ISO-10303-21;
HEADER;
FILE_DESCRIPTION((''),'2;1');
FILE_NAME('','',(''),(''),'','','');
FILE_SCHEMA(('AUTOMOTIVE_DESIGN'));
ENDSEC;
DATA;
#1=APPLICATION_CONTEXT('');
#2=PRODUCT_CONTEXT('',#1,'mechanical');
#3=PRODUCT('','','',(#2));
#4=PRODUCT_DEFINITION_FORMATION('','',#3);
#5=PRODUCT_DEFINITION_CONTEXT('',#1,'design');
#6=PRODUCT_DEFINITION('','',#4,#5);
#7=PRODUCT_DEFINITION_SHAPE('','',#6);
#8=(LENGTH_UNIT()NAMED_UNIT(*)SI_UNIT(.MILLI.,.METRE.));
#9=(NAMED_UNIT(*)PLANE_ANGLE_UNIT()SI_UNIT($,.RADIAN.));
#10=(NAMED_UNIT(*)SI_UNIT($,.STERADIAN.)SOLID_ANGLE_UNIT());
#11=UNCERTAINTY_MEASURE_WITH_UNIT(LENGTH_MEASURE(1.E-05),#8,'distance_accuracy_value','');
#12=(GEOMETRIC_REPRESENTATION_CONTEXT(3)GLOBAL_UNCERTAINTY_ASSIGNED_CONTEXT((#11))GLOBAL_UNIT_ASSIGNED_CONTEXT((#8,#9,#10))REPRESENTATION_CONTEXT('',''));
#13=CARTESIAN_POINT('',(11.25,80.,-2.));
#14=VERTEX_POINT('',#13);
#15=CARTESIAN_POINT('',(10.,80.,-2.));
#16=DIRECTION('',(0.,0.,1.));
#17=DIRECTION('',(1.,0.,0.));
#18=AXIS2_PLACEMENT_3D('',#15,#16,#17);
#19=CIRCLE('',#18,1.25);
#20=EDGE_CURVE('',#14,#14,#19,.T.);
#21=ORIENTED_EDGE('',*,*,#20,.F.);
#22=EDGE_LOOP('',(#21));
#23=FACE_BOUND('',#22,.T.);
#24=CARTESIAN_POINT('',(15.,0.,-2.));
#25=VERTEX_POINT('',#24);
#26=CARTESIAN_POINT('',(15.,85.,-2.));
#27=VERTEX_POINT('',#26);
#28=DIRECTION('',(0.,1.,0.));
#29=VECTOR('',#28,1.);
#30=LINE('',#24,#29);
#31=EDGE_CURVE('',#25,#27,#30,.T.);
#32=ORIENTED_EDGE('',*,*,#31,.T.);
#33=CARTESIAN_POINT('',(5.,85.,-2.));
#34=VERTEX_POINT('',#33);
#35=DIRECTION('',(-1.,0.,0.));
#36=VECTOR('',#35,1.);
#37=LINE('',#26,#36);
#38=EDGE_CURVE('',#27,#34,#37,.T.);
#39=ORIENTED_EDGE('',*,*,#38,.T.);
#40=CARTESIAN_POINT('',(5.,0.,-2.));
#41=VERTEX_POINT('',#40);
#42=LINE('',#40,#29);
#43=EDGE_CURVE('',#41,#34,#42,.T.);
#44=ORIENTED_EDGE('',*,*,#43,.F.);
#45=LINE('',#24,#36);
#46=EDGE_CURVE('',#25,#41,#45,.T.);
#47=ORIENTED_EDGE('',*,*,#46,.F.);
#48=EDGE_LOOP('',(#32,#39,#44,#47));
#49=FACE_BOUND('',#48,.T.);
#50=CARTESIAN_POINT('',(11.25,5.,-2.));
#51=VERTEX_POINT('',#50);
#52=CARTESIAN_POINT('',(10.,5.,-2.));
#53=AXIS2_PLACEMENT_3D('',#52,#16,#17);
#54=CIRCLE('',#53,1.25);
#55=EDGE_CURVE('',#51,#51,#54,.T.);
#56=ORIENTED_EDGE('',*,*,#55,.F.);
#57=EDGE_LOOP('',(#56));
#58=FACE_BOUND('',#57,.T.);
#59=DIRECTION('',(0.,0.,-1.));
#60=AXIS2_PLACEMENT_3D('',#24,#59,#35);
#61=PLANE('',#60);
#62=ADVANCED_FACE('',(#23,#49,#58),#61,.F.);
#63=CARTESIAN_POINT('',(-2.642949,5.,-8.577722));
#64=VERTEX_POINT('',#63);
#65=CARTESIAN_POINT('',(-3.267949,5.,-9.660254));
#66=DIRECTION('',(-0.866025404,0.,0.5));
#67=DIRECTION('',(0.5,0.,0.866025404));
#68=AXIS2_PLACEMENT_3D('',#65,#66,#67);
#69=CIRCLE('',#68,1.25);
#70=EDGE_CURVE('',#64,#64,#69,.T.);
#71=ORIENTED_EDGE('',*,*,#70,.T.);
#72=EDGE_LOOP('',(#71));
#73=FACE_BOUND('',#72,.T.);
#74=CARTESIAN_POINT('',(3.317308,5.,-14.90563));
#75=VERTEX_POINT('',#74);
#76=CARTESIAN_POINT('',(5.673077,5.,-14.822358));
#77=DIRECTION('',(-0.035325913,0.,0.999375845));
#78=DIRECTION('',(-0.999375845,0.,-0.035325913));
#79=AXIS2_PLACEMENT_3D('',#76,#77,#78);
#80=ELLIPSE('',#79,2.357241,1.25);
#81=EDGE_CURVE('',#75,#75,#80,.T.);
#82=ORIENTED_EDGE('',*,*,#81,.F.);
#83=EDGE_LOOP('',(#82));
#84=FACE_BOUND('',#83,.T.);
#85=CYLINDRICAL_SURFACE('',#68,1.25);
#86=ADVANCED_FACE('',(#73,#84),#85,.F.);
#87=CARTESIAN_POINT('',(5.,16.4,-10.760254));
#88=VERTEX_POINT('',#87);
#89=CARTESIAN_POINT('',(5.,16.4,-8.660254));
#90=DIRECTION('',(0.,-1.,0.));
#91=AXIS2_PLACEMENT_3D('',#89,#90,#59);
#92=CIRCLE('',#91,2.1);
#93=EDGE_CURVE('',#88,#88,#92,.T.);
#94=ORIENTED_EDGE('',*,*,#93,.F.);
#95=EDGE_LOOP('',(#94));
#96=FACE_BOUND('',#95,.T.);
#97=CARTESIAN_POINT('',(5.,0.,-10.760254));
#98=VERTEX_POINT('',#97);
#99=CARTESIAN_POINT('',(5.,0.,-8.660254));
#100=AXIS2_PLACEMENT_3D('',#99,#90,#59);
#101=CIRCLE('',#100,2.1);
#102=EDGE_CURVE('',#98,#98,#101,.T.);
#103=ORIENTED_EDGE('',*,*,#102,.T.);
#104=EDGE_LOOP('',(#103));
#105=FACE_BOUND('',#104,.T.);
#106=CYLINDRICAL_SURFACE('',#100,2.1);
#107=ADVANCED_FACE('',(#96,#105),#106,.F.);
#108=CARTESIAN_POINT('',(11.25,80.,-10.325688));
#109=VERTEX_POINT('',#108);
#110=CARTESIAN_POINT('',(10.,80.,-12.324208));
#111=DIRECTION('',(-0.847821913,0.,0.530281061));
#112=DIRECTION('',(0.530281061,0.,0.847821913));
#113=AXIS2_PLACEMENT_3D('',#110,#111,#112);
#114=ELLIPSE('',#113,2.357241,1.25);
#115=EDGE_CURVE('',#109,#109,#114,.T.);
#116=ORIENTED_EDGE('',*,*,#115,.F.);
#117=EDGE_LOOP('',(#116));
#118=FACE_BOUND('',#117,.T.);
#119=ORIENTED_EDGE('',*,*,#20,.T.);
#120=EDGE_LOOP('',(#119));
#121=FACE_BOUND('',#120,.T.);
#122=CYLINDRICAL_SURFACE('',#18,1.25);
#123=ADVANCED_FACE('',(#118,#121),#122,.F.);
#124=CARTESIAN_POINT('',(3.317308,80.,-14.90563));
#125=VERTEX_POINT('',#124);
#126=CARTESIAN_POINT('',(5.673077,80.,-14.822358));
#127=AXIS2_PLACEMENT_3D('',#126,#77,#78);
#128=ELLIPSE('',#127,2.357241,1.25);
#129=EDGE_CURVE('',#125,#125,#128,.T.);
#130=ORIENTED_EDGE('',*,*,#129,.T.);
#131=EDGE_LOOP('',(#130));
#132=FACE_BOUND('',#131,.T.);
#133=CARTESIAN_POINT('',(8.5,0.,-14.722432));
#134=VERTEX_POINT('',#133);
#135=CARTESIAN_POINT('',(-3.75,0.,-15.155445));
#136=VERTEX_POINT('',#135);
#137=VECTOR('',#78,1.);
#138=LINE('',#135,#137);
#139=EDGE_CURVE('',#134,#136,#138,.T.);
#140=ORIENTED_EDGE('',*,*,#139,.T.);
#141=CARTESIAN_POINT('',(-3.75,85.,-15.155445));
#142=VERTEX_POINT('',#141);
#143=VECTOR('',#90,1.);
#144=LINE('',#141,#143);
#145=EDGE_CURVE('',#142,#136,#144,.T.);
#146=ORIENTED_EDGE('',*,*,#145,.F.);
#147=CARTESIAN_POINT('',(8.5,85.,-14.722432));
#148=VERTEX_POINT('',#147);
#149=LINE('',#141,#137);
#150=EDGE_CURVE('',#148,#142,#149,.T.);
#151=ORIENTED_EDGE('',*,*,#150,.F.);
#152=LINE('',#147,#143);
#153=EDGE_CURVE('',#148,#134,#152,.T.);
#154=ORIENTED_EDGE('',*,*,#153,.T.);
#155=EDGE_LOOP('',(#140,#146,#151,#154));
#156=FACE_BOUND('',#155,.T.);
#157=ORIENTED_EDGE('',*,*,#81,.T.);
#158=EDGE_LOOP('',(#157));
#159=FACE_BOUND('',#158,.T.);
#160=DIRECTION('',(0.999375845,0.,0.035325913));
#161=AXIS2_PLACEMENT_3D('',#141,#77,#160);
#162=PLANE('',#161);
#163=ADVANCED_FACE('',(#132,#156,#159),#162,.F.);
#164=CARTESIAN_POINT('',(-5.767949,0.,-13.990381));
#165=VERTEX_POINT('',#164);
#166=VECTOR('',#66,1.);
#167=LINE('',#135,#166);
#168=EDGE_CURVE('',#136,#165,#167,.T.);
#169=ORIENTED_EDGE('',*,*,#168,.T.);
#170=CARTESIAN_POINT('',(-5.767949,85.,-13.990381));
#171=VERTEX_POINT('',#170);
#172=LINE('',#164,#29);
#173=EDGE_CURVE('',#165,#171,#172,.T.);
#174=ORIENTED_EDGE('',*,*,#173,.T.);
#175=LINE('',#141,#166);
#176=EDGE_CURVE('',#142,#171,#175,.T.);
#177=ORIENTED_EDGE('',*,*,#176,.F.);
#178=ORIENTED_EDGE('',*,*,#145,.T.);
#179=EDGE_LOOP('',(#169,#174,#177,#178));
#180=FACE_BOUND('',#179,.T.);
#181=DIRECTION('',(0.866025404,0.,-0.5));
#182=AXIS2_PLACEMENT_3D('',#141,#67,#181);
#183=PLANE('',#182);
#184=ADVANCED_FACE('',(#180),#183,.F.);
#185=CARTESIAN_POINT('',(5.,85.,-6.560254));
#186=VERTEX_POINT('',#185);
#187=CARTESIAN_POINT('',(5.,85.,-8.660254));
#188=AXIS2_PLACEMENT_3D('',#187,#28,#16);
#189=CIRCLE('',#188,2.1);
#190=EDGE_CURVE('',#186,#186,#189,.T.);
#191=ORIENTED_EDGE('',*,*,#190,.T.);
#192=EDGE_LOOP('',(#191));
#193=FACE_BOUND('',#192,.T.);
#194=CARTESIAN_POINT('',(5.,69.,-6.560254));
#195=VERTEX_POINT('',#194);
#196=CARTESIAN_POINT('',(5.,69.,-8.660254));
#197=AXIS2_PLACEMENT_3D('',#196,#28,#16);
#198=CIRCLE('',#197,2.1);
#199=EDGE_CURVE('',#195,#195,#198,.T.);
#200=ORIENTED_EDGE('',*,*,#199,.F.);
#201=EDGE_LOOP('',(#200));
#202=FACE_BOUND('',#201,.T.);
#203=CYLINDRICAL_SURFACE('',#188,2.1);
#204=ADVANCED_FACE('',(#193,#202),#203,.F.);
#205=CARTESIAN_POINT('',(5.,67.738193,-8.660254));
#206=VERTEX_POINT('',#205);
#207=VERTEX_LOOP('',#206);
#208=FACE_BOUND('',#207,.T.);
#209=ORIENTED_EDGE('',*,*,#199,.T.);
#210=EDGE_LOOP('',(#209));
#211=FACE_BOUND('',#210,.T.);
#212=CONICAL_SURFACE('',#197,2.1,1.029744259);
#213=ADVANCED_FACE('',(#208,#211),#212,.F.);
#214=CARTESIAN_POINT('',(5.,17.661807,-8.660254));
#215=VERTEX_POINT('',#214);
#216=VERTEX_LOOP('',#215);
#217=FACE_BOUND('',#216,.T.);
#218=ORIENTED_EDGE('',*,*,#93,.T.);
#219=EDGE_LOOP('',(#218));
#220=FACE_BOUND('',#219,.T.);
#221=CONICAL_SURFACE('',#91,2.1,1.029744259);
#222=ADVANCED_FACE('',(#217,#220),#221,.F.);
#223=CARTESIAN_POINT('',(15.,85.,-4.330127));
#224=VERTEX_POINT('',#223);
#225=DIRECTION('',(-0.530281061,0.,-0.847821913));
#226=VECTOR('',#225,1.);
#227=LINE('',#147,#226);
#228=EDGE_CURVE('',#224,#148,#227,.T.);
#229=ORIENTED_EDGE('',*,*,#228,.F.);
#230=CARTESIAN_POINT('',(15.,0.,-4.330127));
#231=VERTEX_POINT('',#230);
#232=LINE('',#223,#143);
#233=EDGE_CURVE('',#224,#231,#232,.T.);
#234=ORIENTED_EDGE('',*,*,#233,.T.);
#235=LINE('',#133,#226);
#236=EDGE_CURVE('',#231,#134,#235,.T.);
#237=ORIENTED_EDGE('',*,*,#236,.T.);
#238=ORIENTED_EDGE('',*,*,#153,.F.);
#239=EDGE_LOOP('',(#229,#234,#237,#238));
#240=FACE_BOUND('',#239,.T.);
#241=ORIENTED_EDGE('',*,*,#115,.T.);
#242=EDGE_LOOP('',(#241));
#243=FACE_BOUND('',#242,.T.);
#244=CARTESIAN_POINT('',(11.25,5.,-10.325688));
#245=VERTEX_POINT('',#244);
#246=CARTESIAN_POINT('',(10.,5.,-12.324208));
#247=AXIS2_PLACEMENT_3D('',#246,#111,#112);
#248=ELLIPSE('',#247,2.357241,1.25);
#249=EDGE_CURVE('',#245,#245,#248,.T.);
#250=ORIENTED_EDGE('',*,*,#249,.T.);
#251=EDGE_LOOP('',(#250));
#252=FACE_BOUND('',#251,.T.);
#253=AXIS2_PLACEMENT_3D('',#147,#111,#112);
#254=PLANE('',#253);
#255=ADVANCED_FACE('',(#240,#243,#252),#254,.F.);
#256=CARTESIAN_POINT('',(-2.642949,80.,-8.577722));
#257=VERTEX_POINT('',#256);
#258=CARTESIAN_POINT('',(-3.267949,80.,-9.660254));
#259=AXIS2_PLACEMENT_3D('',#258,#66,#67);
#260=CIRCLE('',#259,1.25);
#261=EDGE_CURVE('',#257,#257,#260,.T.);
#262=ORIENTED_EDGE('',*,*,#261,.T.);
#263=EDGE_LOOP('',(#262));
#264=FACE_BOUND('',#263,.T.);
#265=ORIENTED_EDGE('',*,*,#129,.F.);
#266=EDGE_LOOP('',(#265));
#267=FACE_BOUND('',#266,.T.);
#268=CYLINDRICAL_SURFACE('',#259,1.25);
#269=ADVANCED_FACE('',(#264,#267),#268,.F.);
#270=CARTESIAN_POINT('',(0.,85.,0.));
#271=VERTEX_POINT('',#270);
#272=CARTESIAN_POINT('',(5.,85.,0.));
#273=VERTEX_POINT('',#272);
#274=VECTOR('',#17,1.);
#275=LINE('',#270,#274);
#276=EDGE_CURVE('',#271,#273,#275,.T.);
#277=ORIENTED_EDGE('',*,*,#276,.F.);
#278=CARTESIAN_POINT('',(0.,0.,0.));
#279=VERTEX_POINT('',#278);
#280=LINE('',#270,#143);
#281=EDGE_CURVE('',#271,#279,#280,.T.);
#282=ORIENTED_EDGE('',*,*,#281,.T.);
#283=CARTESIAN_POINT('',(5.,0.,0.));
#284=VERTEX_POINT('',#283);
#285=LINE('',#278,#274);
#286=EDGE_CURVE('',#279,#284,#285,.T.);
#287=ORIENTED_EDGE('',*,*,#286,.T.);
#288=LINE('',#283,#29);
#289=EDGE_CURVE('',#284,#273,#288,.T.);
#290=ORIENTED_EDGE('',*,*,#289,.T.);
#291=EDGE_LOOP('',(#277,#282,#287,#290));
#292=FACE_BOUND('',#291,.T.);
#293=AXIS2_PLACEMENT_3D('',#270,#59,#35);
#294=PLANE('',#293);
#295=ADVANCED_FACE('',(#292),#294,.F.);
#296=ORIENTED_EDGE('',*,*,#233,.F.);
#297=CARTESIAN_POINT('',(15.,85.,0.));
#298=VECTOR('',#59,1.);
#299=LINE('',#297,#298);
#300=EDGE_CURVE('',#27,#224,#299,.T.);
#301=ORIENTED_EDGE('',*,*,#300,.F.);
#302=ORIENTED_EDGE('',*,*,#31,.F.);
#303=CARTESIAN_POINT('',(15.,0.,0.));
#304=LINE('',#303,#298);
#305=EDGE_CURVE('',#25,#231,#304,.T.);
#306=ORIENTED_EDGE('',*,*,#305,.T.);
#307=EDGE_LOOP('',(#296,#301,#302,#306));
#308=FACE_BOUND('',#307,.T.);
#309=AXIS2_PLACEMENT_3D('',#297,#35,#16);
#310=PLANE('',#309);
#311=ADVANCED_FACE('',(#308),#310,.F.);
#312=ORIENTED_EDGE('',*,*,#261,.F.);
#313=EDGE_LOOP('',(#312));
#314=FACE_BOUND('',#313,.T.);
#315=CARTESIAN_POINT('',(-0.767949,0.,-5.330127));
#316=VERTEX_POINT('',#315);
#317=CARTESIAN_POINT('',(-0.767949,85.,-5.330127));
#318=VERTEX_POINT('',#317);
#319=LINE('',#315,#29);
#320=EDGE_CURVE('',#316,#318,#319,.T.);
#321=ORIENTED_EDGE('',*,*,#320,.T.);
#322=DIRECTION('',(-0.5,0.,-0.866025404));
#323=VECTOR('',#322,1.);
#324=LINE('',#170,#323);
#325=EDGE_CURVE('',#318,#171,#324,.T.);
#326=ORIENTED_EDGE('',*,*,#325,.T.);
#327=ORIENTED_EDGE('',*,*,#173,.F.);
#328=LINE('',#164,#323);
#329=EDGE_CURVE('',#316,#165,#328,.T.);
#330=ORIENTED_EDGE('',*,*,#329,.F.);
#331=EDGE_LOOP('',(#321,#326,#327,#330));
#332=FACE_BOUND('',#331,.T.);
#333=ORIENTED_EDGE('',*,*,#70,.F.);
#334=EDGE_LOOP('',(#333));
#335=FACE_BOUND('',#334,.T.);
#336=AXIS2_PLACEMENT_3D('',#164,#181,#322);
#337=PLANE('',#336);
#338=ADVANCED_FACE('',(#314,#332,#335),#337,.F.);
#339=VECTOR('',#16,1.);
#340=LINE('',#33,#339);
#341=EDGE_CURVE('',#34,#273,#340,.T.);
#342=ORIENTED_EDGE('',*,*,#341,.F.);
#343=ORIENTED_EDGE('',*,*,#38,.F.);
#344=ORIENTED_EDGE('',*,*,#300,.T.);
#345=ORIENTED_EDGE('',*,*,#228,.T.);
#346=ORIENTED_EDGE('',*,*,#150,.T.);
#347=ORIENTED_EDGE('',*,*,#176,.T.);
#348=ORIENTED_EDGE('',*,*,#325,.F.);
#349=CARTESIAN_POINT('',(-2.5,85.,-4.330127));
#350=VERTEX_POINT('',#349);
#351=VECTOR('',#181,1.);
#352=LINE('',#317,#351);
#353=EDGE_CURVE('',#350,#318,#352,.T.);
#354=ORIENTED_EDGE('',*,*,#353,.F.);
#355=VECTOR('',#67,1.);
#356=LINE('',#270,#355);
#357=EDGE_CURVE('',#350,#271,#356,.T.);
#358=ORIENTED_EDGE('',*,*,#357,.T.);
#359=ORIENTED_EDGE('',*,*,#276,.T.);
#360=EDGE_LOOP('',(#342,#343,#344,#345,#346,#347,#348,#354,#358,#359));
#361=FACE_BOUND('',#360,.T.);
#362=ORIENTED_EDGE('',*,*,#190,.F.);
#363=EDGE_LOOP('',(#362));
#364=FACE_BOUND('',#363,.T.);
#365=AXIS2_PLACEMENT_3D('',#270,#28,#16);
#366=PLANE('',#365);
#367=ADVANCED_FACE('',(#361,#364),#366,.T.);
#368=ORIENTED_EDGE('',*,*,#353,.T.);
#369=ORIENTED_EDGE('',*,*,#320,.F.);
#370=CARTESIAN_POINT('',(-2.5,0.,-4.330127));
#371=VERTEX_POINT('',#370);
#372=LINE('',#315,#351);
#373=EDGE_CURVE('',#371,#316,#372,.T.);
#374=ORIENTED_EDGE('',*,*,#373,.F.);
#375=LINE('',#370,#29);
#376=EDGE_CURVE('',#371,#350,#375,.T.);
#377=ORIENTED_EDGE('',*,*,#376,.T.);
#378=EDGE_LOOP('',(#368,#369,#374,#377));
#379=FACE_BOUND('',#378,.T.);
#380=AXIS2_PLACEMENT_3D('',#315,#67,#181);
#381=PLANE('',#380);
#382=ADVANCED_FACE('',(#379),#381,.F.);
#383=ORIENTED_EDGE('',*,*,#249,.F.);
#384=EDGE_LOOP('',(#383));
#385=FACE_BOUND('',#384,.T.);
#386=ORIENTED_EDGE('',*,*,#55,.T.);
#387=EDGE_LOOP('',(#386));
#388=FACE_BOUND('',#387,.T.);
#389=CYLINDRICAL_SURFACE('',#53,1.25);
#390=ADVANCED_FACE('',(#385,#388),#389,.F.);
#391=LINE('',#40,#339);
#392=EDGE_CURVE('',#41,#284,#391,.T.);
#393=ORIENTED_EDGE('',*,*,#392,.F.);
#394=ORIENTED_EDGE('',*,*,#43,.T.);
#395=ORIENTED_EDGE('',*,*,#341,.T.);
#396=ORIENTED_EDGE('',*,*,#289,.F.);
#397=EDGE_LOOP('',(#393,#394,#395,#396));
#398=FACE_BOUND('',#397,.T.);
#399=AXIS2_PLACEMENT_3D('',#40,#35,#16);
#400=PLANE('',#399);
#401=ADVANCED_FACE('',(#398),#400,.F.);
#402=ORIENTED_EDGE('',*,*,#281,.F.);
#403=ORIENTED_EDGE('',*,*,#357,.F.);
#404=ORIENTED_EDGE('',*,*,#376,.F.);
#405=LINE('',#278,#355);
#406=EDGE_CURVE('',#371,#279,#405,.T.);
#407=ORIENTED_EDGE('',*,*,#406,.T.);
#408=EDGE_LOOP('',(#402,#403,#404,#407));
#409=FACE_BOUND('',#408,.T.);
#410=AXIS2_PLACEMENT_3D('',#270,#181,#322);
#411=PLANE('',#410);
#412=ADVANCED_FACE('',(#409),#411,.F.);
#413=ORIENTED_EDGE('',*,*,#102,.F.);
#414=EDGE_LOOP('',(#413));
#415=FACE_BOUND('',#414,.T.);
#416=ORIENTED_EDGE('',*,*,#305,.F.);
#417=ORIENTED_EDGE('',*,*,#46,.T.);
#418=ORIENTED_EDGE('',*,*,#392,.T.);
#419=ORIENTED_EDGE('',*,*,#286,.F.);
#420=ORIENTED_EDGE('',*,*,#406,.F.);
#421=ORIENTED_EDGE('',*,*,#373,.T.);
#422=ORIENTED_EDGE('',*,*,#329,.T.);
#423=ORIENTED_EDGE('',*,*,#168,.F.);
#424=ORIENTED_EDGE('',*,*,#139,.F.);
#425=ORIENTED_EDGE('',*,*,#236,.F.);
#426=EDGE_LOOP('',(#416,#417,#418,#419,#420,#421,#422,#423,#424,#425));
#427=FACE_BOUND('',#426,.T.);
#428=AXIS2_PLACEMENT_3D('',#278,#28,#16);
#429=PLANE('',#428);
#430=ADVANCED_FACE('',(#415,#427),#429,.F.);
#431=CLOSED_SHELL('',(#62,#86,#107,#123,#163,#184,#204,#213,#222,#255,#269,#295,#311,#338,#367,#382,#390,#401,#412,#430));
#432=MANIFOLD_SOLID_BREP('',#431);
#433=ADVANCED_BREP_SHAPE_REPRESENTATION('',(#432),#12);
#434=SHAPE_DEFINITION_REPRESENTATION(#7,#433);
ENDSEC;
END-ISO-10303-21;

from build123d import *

# Parameters (mm, degrees)
BOSS_EXTRUDE1_DEPTH       = 85
SKETCH3_W                 = 10
SKETCH3_H                 = 2
CUT_EXTRUDE1_DEPTH        = 88.633826232
M5X0_8_TAPPED_HOLE1_D     = 4.2
M5X0_8_TAPPED_HOLE1_DEPTH = 16
M5X0_8_TAPPED_HOLE1_TIP   = 1.2618073
M5X0_8_TAPPED_HOLE2_D     = 4.2
M5X0_8_TAPPED_HOLE2_DEPTH = 16.4
M5X0_8_TAPPED_HOLE2_TIP   = 1.2618073
M3X0_5_TAPPED_HOLE1_D     = 2.5
M3X0_5_TAPPED_HOLE2_D     = 2.5


with BuildPart() as part:
    # Sketch1 → Boss-Extrude1 (new body)
    with BuildSketch(Plane(origin=(0, 0, 0), x_dir=(1, 0, 0), z_dir=(0, 1, 0))):
        Polygon((0, 0), (15, 0), (15, 4.330127019), (8.5, 14.722431864), (-3.75, 15.155444566), (-7.5, 12.990381057), align=None)
    extrude(amount=BOSS_EXTRUDE1_DEPTH)

    # Sketch3 → Cut-Extrude1 (cut, through all)
    with BuildSketch(Plane(origin=(0, 85, 0), x_dir=(1, 0, 0), z_dir=(0, 1, 0))):
        Polygon((-7.5, 12.990381057), (-5.767949192, 13.990381057), (-0.767949192, 5.330127019), (-2.5, 4.330127019), align=None)
        with Locations((10, 1)):
            Rectangle(SKETCH3_W, SKETCH3_H)
    extrude(amount=-CUT_EXTRUDE1_DEPTH, mode=Mode.SUBTRACT)

    # M5x0.8 Tapped Hole1
    with Locations(Plane(origin=(0, 85, 0), x_dir=(1, 0, 0), z_dir=(0, 1, 0))):
        with Locations((5, 8.660254038)):
            Hole(M5X0_8_TAPPED_HOLE1_D / 2, depth=M5X0_8_TAPPED_HOLE1_DEPTH)
            with Locations((0, 0, -(M5X0_8_TAPPED_HOLE1_DEPTH + M5X0_8_TAPPED_HOLE1_TIP / 2))):  # 118° drill point
                Cone(0, M5X0_8_TAPPED_HOLE1_D / 2, M5X0_8_TAPPED_HOLE1_TIP, mode=Mode.SUBTRACT)

    # M5x0.8 Tapped Hole2
    with Locations(Plane(origin=(0, 0, 0), x_dir=(-1, 0, 0), z_dir=(0, -1, 0))):
        with Locations((-5, 8.660254038)):
            Hole(M5X0_8_TAPPED_HOLE2_D / 2, depth=M5X0_8_TAPPED_HOLE2_DEPTH)
            with Locations((0, 0, -(M5X0_8_TAPPED_HOLE2_DEPTH + M5X0_8_TAPPED_HOLE2_TIP / 2))):  # 118° drill point
                Cone(0, M5X0_8_TAPPED_HOLE2_D / 2, M5X0_8_TAPPED_HOLE2_TIP, mode=Mode.SUBTRACT)

    # M3x0.5 Tapped Hole1 (through all)
    with Locations(Plane(origin=(1.732050808, 0, -1), x_dir=(0.49999999999999983, 0, 0.8660254037844387), z_dir=(-0.8660254037844387, 0, 0.49999999999999983))):
        with Locations((-10, 80), (-10, 5)):
            Hole(M3X0_5_TAPPED_HOLE1_D / 2)

    # M3x0.5 Tapped Hole2 (through all)
    with Locations(Plane.XY.offset(-2)):
        with Locations((10, 80), (10, 5)):
            Hole(M3X0_5_TAPPED_HOLE2_D / 2)


solid = part.part
